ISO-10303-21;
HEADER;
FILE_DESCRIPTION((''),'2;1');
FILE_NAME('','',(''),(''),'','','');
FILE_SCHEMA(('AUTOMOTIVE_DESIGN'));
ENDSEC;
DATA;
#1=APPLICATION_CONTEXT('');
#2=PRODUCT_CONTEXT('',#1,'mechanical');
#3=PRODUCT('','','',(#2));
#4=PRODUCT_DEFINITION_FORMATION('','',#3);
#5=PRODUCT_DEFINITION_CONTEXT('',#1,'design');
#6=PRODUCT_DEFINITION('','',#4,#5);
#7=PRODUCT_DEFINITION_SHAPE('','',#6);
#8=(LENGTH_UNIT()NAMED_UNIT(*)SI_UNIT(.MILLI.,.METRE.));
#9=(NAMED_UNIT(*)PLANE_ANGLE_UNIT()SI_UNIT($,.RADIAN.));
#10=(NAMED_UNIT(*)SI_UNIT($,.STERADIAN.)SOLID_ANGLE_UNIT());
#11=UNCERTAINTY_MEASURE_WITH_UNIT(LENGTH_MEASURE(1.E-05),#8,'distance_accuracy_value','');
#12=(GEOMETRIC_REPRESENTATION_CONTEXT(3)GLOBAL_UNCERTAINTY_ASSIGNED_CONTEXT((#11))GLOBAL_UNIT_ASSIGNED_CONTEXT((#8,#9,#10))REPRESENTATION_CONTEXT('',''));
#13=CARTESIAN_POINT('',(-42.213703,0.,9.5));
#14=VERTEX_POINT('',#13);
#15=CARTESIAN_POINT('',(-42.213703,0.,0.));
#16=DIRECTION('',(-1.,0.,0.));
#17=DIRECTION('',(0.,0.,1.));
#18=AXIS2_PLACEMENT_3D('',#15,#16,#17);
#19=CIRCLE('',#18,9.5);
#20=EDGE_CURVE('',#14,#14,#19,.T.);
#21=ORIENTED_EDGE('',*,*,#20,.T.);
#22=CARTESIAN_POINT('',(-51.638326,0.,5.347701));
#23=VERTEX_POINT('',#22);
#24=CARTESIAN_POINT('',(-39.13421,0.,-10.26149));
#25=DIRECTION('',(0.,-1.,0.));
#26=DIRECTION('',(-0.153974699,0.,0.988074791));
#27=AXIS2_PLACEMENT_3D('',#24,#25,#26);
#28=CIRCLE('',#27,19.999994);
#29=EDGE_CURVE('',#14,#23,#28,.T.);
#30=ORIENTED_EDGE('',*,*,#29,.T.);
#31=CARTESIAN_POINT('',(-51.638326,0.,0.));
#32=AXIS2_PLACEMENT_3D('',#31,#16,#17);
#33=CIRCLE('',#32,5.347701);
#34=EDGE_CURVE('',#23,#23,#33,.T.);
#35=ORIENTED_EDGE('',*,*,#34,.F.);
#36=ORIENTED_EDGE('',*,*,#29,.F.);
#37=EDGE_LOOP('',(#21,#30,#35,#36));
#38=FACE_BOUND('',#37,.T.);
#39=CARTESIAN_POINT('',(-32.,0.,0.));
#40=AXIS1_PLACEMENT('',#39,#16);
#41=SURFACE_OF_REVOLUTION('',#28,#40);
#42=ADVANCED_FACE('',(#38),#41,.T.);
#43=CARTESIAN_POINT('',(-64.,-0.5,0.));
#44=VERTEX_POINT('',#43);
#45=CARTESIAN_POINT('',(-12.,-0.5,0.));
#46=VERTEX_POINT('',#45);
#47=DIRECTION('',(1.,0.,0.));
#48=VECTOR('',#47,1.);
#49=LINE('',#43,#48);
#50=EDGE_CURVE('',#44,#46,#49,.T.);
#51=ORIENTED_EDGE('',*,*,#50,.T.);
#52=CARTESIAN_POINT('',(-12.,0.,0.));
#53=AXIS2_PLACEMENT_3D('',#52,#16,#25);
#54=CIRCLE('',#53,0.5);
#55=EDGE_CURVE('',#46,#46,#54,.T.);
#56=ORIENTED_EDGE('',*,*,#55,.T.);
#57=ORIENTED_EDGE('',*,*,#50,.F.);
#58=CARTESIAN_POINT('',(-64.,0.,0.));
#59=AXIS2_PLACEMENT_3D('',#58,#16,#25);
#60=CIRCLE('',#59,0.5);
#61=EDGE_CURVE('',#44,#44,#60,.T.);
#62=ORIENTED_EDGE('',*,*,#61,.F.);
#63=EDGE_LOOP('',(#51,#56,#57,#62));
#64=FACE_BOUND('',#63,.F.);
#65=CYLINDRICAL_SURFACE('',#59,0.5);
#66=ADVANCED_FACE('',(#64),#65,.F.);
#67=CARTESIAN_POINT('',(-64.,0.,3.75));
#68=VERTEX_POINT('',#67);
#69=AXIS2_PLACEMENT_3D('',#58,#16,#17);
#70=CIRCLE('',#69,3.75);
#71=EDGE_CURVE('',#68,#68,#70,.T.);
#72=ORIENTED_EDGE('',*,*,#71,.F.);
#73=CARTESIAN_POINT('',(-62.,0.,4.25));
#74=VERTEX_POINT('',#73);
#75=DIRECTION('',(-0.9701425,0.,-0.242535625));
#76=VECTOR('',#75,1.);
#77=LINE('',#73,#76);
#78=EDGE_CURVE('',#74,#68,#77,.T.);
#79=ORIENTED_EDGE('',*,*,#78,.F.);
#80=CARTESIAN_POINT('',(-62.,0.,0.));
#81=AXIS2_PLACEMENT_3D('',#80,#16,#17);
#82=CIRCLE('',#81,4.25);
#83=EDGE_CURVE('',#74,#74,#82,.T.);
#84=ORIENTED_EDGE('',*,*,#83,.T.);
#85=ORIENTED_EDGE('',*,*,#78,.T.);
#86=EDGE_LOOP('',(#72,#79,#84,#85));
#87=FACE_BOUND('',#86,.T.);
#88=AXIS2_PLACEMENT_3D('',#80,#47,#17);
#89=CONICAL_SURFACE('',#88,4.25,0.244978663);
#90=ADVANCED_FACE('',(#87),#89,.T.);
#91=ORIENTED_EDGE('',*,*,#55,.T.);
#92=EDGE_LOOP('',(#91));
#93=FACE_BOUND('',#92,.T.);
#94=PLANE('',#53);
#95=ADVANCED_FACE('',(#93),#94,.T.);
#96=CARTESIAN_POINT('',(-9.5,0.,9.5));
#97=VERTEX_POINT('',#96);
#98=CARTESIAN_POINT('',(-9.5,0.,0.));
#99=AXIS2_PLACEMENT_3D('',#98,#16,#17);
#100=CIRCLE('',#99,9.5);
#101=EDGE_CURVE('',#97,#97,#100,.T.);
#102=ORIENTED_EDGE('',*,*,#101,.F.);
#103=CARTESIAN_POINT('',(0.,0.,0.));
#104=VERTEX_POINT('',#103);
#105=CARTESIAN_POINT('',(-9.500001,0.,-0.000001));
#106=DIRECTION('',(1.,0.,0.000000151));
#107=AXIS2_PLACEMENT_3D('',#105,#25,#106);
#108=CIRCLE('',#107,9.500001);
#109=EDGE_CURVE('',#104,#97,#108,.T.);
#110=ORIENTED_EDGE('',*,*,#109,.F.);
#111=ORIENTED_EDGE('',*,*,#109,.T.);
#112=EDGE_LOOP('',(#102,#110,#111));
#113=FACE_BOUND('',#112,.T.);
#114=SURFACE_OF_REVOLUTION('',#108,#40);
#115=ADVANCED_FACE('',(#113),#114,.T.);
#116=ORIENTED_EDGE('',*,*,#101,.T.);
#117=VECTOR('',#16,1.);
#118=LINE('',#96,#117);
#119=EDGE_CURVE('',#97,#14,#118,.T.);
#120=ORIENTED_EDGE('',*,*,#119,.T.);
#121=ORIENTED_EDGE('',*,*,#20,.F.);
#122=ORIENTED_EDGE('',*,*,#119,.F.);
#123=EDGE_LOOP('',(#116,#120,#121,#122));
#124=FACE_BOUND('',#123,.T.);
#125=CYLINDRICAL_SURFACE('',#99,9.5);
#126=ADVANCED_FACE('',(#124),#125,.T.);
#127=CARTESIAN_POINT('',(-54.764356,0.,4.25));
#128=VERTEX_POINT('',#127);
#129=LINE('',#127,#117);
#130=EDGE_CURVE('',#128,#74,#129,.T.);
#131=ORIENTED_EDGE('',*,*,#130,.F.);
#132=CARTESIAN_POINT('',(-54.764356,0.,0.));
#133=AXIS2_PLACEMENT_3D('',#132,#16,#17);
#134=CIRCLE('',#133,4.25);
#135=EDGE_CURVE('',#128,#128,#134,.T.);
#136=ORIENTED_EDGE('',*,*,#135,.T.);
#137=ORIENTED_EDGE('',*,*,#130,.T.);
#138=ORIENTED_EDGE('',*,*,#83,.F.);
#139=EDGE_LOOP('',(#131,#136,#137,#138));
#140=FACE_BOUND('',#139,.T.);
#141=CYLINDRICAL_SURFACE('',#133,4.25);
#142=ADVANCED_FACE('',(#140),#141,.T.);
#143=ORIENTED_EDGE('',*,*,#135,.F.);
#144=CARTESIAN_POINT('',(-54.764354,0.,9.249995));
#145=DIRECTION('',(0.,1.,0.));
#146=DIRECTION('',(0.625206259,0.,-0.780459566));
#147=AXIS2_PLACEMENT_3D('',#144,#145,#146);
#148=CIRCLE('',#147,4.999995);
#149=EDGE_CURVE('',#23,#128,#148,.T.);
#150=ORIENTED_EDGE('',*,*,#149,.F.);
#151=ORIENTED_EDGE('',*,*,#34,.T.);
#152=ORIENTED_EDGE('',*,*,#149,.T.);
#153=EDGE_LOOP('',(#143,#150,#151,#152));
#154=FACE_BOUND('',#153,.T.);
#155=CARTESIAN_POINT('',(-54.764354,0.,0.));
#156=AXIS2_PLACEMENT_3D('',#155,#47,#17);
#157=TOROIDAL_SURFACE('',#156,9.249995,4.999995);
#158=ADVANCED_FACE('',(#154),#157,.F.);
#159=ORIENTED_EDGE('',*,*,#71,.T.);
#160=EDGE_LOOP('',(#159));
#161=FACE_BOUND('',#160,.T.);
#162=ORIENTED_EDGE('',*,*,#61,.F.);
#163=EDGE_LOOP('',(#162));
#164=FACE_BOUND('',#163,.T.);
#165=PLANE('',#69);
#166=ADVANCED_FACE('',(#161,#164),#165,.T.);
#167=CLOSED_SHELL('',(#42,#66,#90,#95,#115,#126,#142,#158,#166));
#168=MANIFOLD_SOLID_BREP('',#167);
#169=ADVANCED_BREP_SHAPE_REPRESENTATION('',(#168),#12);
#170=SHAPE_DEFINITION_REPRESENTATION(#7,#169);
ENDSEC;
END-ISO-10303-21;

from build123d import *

# Parameters (mm, degrees)
F2_R     = 0.5
F3_DEPTH = 52


with BuildPart() as f1:
    # F0 (on Front) → F1 (revolve)
    with BuildSketch(Plane.XZ):
        with BuildLine():
            Line((-9.5, 0), (0, 0))
            ThreePointArc((0, 0), (-2.782486, 6.717514), (-9.5, 9.5))
            Line((-9.5, 9.5), (-42.213703, 9.5))
            ThreePointArc((-42.213703, 9.5), (-47.19787, 8.040891), (-51.638326, 5.347701))
            ThreePointArc((-51.638326, 5.347701), (-53.107777, 4.5324), (-54.764356, 4.25))
            Line((-54.764356, 4.25), (-62, 4.25))
            Line((-62, 4.25), (-64, 3.75))
            Line((-64, 3.75), (-64, 0))
            Line((-64, 0), (-56, 0))
            Line((-56, 0), (-9.5, 0))
        make_face()
    revolve(axis=Axis((-32, 0, 0), (-1, 0, 0)))

    # F2 (on face) → F3 (cut)
    with BuildSketch(Plane(origin=(-64, 0, 0), x_dir=(0, -1, 0), z_dir=(-1, 0, 0))):
        Circle(F2_R)
    extrude(amount=-F3_DEPTH, mode=Mode.SUBTRACT)


solid = f1.part
